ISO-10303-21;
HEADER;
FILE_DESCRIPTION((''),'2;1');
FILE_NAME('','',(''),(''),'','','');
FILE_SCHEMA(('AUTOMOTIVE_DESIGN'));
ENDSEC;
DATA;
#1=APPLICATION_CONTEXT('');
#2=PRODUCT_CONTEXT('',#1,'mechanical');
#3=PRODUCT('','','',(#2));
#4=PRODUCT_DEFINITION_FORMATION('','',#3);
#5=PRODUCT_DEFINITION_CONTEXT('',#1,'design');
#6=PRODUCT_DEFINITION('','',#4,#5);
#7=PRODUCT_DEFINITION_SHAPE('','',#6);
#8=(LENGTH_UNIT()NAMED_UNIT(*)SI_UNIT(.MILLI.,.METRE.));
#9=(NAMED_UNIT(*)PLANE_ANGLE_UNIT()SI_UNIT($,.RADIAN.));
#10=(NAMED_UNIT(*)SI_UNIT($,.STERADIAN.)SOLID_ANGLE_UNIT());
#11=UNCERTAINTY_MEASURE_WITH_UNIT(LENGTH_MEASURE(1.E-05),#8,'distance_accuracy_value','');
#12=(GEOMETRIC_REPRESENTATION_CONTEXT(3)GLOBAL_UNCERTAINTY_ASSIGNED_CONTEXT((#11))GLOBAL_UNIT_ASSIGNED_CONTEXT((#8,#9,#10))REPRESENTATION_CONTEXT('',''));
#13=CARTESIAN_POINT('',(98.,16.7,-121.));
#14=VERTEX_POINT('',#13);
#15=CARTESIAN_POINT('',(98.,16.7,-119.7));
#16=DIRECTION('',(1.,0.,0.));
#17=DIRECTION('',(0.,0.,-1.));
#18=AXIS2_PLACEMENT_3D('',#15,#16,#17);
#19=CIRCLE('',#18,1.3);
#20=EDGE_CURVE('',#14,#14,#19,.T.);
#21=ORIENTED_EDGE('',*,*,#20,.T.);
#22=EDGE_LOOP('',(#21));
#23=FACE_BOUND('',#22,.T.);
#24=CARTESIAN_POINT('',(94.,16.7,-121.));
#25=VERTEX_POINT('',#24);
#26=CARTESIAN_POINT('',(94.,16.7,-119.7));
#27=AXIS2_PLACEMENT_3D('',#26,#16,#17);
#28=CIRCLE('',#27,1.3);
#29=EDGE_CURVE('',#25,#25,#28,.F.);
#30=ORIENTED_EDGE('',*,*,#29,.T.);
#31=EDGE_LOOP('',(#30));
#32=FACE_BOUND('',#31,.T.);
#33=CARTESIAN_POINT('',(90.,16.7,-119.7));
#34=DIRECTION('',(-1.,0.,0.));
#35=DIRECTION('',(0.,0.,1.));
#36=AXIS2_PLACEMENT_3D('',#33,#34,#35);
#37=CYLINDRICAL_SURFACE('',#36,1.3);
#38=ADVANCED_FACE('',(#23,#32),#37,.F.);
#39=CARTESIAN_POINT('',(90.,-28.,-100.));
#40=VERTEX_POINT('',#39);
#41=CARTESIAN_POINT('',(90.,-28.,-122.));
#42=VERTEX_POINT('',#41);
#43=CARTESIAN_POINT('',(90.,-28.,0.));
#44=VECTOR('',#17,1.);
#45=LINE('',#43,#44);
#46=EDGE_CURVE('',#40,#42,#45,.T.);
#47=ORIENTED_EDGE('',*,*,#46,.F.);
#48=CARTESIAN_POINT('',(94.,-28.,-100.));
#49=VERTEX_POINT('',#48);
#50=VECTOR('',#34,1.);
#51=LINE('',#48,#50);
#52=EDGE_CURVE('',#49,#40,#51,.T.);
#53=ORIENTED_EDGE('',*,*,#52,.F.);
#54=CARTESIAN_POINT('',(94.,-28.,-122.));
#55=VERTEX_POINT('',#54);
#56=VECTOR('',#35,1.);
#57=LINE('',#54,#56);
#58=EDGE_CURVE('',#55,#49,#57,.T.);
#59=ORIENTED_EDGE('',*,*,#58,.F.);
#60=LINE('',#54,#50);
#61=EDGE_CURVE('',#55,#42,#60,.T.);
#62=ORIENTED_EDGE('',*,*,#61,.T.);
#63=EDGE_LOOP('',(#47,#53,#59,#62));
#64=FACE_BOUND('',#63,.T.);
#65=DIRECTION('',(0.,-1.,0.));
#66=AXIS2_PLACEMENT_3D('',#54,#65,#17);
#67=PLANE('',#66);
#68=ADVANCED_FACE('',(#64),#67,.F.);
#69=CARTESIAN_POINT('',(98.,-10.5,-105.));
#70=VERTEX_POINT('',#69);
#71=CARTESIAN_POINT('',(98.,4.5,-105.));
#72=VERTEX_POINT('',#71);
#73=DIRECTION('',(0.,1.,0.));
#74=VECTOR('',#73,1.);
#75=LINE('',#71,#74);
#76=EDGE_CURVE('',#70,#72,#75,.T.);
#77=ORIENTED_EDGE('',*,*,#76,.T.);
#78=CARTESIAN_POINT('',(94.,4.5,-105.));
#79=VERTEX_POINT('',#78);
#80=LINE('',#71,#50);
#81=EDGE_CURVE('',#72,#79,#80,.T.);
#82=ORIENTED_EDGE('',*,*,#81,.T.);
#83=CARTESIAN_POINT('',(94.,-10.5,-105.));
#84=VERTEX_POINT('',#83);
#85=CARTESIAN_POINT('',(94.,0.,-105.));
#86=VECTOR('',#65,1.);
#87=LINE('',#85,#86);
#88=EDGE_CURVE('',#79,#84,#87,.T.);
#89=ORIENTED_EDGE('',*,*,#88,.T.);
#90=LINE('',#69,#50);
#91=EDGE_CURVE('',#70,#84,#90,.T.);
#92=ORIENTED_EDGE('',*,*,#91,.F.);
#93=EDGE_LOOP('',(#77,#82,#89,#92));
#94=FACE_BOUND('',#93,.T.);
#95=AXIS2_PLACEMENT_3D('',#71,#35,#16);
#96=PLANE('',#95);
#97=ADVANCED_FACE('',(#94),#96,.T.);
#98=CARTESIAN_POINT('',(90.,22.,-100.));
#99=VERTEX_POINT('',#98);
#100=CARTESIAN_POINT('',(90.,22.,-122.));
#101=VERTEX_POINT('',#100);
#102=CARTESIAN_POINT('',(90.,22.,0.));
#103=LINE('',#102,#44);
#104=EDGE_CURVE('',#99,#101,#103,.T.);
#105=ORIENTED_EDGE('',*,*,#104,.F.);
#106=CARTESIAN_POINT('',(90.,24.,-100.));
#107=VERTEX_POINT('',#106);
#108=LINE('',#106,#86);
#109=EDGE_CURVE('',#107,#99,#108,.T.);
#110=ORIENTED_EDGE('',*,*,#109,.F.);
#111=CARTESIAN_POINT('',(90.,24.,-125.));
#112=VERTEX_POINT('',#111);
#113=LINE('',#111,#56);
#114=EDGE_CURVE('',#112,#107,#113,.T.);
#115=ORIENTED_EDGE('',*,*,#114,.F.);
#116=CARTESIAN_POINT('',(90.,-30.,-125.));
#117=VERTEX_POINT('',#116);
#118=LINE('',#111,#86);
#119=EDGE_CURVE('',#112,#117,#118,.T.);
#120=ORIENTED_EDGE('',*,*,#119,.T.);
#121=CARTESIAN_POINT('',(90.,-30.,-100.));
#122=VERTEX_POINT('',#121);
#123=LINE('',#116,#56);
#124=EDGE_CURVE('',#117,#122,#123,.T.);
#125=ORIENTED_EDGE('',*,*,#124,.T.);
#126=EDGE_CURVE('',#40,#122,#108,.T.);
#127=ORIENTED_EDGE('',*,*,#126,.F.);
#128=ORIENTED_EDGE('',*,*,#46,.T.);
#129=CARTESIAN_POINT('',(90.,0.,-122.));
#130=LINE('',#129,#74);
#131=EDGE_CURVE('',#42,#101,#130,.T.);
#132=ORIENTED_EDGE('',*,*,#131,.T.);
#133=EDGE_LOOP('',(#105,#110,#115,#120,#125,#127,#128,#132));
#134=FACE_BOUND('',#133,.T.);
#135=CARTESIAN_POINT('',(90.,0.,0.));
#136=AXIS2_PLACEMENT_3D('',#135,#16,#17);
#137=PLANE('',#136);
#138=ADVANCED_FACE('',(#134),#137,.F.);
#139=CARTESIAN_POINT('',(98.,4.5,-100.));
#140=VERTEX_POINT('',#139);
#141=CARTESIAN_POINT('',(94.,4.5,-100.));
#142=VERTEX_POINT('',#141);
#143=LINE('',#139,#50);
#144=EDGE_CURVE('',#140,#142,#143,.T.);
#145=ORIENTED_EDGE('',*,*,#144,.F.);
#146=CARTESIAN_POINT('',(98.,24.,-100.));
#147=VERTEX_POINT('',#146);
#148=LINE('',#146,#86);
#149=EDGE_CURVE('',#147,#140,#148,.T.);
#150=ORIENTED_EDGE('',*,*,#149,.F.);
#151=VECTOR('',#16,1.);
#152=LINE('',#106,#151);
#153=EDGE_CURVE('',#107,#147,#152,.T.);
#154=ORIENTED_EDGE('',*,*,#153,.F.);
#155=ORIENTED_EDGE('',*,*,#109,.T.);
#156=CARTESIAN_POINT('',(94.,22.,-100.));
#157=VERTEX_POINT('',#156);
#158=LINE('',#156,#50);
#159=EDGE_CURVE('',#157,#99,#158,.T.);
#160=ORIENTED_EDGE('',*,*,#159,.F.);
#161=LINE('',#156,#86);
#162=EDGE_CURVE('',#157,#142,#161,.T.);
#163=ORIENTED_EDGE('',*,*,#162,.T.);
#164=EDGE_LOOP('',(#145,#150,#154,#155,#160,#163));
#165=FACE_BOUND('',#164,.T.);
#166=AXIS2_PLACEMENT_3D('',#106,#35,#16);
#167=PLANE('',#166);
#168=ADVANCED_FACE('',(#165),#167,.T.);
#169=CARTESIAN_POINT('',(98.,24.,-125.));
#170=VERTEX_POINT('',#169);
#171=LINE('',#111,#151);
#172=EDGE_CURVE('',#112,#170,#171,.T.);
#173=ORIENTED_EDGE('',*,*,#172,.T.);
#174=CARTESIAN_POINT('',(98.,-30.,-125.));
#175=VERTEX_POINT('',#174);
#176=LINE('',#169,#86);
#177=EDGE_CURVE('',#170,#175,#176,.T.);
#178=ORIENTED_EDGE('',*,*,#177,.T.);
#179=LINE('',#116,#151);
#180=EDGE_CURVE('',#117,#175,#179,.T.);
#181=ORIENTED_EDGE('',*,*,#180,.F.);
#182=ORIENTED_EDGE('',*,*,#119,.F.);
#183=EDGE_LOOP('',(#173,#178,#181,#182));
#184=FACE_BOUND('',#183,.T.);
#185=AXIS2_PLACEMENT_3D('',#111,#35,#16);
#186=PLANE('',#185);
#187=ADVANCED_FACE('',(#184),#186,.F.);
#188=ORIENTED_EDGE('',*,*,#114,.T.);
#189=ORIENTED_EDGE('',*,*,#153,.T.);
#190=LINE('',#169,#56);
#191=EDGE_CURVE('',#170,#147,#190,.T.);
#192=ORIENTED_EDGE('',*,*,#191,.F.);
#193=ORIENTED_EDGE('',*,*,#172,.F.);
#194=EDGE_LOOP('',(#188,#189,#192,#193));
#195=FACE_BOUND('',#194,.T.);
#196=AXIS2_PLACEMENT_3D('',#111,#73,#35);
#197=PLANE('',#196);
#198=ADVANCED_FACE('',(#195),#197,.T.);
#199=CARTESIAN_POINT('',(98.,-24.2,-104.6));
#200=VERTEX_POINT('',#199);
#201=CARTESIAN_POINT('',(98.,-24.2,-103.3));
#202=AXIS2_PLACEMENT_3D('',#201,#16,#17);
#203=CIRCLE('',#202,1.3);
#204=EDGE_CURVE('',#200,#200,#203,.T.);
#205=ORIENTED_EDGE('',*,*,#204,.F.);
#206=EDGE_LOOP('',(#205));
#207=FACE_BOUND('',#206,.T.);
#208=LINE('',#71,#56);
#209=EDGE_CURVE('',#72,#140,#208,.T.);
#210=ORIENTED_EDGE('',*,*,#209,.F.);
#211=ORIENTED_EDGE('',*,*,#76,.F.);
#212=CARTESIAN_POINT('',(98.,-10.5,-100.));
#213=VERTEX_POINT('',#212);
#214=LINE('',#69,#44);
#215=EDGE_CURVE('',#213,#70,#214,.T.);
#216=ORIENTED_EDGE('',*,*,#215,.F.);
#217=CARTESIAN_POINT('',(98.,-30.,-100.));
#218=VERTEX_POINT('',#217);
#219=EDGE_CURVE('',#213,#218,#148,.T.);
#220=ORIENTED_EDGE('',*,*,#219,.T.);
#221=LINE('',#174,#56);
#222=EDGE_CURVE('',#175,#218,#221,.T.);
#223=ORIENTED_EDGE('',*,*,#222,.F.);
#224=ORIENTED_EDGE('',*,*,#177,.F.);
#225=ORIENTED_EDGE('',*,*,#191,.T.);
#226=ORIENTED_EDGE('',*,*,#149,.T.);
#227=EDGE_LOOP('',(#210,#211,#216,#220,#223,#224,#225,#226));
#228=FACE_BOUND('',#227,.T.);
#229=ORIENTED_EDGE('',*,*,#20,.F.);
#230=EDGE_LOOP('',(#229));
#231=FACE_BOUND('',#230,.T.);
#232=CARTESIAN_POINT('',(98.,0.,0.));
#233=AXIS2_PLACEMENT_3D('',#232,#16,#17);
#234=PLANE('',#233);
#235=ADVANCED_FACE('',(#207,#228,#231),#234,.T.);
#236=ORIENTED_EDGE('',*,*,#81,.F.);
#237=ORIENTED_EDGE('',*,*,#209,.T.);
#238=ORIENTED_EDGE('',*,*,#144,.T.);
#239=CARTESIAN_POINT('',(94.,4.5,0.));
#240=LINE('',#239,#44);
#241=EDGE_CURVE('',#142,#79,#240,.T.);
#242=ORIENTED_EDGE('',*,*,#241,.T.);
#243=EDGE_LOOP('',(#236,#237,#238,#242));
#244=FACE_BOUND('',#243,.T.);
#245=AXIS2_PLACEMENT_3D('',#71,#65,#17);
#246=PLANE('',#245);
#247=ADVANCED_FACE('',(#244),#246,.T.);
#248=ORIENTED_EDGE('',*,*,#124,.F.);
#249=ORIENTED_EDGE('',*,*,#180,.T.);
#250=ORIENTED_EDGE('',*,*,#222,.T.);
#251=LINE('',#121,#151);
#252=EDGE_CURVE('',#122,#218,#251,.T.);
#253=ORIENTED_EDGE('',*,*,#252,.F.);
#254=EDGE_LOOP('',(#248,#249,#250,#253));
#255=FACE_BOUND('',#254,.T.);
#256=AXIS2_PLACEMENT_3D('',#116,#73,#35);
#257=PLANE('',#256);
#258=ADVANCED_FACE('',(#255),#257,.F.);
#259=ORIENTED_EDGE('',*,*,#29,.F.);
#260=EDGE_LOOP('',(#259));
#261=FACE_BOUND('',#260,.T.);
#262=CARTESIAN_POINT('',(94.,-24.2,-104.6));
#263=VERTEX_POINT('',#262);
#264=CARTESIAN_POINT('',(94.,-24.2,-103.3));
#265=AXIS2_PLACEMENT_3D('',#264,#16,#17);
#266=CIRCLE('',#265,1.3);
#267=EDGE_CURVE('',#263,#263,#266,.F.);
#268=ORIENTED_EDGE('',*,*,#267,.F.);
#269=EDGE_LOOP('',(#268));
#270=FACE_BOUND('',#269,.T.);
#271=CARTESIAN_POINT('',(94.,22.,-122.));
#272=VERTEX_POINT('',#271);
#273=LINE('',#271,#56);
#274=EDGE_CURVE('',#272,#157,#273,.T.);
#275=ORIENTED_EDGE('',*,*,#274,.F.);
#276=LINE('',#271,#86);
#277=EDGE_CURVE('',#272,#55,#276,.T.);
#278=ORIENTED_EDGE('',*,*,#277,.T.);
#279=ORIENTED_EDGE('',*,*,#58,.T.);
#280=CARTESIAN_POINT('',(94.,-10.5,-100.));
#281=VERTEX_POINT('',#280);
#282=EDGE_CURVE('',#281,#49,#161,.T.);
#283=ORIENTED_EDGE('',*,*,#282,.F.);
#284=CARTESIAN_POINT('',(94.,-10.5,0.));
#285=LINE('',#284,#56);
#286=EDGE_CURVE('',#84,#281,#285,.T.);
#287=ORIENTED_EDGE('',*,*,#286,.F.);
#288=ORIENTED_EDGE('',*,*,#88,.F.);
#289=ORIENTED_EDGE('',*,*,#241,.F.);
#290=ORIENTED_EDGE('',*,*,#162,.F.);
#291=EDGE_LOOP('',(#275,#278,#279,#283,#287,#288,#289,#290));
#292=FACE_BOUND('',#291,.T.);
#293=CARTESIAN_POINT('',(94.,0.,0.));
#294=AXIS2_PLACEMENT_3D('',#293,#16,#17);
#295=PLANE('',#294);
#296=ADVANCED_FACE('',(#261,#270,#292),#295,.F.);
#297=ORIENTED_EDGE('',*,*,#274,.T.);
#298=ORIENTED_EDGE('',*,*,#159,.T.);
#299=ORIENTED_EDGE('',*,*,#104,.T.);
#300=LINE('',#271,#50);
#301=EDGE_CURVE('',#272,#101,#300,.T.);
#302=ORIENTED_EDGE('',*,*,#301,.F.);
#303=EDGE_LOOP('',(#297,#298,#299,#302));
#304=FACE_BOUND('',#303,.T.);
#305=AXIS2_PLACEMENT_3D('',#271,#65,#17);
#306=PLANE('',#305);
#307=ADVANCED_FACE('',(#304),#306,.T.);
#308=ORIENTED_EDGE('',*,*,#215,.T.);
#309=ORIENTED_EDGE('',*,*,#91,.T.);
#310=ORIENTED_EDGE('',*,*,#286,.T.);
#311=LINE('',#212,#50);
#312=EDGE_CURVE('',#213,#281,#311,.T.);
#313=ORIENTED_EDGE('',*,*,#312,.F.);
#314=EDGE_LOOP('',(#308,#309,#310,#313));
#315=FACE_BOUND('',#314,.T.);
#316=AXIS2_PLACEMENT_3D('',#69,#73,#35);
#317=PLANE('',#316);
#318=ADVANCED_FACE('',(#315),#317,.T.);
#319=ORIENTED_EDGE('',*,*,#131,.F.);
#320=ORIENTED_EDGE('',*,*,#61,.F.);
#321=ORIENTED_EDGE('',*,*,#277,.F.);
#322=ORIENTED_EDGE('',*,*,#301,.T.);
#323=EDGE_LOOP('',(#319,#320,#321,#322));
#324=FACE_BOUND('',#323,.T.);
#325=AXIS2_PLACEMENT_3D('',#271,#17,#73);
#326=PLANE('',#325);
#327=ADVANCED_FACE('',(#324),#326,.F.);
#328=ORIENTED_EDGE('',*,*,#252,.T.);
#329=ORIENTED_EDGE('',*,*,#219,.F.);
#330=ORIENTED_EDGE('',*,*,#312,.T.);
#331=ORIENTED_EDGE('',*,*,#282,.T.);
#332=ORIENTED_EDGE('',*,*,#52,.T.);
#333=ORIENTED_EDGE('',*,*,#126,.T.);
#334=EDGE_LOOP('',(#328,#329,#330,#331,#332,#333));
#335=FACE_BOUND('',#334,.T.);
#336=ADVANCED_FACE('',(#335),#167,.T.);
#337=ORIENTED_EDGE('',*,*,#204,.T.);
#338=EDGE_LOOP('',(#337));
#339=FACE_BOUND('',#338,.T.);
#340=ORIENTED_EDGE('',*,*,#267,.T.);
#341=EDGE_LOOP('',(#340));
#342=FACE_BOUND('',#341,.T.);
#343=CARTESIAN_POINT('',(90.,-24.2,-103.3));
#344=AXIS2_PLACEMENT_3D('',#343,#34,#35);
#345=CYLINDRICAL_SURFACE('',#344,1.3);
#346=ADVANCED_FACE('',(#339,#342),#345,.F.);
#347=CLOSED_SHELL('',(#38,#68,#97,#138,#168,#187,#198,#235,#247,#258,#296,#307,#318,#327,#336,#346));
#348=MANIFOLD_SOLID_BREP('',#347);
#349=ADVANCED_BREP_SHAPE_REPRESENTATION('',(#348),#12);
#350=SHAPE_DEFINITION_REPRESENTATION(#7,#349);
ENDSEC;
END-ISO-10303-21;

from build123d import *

# Parameters (mm, degrees)
SKETCH_13_W               = 25
SKETCH_13_H               = 54
EXTRUDE_6_DEPTH           = 3
EXTRUDE_6_DEPTH_BACK      = 5
SKETCH_16_W               = 22
SKETCH_16_H               = 50
CUT_EXTRUDE_9_DEPTH       = 25
SKETCH_17_W               = 5
SKETCH_17_H               = 15
CUT_EXTRUDE_10_DEPTH      = 30
SKETCH_23_R               = 1.3
CUT_EXTRUDE_11_DEPTH      = 30
CUT_EXTRUDE_11_DEPTH_BACK = 1


with BuildPart() as part:
    # Sketch 13 → Extrude 6 (new body, two sides)
    with BuildSketch(Plane(origin=(95, 0, 0), x_dir=(0, 0, -1), z_dir=(1, 0, 0))) as extrude_6_sk:
        with Locations((112.5, -3)):
            Rectangle(SKETCH_13_W, SKETCH_13_H)
    extrude(amount=EXTRUDE_6_DEPTH)
    extrude(extrude_6_sk.sketch, amount=-EXTRUDE_6_DEPTH_BACK)

    # Sketch 16 → Cut-Extrude 9 (cut)
    with BuildSketch(Plane(origin=(69, 0, 0), x_dir=(0, 0, -1), z_dir=(1, 0, 0))):
        with Locations((111, -3)):
            Rectangle(SKETCH_16_W, SKETCH_16_H)
    extrude(amount=CUT_EXTRUDE_9_DEPTH, mode=Mode.SUBTRACT)

    # Sketch 17 → Cut-Extrude 10 (cut, through all)
    with BuildSketch(Plane(origin=(69, 0, 0), x_dir=(0, 0, -1), z_dir=(1, 0, 0))):
        with Locations((102.5, -3)):
            Rectangle(SKETCH_17_W, SKETCH_17_H)
    extrude(amount=CUT_EXTRUDE_10_DEPTH, mode=Mode.SUBTRACT)

    # Sketch 23 → Cut-Extrude 11 (cut, two sides)
    with BuildSketch(Plane(origin=(69, 0, 0), x_dir=(0, 0, -1), z_dir=(1, 0, 0))) as cut_extrude_11_sk:
        with Locations((119.7, 16.7)):
            Circle(SKETCH_23_R)
        with Locations((103.3, -24.2)):
            Circle(SKETCH_23_R)
    extrude(amount=CUT_EXTRUDE_11_DEPTH, mode=Mode.SUBTRACT)
    extrude(cut_extrude_11_sk.sketch, amount=-CUT_EXTRUDE_11_DEPTH_BACK, mode=Mode.SUBTRACT)


solid = part.part
